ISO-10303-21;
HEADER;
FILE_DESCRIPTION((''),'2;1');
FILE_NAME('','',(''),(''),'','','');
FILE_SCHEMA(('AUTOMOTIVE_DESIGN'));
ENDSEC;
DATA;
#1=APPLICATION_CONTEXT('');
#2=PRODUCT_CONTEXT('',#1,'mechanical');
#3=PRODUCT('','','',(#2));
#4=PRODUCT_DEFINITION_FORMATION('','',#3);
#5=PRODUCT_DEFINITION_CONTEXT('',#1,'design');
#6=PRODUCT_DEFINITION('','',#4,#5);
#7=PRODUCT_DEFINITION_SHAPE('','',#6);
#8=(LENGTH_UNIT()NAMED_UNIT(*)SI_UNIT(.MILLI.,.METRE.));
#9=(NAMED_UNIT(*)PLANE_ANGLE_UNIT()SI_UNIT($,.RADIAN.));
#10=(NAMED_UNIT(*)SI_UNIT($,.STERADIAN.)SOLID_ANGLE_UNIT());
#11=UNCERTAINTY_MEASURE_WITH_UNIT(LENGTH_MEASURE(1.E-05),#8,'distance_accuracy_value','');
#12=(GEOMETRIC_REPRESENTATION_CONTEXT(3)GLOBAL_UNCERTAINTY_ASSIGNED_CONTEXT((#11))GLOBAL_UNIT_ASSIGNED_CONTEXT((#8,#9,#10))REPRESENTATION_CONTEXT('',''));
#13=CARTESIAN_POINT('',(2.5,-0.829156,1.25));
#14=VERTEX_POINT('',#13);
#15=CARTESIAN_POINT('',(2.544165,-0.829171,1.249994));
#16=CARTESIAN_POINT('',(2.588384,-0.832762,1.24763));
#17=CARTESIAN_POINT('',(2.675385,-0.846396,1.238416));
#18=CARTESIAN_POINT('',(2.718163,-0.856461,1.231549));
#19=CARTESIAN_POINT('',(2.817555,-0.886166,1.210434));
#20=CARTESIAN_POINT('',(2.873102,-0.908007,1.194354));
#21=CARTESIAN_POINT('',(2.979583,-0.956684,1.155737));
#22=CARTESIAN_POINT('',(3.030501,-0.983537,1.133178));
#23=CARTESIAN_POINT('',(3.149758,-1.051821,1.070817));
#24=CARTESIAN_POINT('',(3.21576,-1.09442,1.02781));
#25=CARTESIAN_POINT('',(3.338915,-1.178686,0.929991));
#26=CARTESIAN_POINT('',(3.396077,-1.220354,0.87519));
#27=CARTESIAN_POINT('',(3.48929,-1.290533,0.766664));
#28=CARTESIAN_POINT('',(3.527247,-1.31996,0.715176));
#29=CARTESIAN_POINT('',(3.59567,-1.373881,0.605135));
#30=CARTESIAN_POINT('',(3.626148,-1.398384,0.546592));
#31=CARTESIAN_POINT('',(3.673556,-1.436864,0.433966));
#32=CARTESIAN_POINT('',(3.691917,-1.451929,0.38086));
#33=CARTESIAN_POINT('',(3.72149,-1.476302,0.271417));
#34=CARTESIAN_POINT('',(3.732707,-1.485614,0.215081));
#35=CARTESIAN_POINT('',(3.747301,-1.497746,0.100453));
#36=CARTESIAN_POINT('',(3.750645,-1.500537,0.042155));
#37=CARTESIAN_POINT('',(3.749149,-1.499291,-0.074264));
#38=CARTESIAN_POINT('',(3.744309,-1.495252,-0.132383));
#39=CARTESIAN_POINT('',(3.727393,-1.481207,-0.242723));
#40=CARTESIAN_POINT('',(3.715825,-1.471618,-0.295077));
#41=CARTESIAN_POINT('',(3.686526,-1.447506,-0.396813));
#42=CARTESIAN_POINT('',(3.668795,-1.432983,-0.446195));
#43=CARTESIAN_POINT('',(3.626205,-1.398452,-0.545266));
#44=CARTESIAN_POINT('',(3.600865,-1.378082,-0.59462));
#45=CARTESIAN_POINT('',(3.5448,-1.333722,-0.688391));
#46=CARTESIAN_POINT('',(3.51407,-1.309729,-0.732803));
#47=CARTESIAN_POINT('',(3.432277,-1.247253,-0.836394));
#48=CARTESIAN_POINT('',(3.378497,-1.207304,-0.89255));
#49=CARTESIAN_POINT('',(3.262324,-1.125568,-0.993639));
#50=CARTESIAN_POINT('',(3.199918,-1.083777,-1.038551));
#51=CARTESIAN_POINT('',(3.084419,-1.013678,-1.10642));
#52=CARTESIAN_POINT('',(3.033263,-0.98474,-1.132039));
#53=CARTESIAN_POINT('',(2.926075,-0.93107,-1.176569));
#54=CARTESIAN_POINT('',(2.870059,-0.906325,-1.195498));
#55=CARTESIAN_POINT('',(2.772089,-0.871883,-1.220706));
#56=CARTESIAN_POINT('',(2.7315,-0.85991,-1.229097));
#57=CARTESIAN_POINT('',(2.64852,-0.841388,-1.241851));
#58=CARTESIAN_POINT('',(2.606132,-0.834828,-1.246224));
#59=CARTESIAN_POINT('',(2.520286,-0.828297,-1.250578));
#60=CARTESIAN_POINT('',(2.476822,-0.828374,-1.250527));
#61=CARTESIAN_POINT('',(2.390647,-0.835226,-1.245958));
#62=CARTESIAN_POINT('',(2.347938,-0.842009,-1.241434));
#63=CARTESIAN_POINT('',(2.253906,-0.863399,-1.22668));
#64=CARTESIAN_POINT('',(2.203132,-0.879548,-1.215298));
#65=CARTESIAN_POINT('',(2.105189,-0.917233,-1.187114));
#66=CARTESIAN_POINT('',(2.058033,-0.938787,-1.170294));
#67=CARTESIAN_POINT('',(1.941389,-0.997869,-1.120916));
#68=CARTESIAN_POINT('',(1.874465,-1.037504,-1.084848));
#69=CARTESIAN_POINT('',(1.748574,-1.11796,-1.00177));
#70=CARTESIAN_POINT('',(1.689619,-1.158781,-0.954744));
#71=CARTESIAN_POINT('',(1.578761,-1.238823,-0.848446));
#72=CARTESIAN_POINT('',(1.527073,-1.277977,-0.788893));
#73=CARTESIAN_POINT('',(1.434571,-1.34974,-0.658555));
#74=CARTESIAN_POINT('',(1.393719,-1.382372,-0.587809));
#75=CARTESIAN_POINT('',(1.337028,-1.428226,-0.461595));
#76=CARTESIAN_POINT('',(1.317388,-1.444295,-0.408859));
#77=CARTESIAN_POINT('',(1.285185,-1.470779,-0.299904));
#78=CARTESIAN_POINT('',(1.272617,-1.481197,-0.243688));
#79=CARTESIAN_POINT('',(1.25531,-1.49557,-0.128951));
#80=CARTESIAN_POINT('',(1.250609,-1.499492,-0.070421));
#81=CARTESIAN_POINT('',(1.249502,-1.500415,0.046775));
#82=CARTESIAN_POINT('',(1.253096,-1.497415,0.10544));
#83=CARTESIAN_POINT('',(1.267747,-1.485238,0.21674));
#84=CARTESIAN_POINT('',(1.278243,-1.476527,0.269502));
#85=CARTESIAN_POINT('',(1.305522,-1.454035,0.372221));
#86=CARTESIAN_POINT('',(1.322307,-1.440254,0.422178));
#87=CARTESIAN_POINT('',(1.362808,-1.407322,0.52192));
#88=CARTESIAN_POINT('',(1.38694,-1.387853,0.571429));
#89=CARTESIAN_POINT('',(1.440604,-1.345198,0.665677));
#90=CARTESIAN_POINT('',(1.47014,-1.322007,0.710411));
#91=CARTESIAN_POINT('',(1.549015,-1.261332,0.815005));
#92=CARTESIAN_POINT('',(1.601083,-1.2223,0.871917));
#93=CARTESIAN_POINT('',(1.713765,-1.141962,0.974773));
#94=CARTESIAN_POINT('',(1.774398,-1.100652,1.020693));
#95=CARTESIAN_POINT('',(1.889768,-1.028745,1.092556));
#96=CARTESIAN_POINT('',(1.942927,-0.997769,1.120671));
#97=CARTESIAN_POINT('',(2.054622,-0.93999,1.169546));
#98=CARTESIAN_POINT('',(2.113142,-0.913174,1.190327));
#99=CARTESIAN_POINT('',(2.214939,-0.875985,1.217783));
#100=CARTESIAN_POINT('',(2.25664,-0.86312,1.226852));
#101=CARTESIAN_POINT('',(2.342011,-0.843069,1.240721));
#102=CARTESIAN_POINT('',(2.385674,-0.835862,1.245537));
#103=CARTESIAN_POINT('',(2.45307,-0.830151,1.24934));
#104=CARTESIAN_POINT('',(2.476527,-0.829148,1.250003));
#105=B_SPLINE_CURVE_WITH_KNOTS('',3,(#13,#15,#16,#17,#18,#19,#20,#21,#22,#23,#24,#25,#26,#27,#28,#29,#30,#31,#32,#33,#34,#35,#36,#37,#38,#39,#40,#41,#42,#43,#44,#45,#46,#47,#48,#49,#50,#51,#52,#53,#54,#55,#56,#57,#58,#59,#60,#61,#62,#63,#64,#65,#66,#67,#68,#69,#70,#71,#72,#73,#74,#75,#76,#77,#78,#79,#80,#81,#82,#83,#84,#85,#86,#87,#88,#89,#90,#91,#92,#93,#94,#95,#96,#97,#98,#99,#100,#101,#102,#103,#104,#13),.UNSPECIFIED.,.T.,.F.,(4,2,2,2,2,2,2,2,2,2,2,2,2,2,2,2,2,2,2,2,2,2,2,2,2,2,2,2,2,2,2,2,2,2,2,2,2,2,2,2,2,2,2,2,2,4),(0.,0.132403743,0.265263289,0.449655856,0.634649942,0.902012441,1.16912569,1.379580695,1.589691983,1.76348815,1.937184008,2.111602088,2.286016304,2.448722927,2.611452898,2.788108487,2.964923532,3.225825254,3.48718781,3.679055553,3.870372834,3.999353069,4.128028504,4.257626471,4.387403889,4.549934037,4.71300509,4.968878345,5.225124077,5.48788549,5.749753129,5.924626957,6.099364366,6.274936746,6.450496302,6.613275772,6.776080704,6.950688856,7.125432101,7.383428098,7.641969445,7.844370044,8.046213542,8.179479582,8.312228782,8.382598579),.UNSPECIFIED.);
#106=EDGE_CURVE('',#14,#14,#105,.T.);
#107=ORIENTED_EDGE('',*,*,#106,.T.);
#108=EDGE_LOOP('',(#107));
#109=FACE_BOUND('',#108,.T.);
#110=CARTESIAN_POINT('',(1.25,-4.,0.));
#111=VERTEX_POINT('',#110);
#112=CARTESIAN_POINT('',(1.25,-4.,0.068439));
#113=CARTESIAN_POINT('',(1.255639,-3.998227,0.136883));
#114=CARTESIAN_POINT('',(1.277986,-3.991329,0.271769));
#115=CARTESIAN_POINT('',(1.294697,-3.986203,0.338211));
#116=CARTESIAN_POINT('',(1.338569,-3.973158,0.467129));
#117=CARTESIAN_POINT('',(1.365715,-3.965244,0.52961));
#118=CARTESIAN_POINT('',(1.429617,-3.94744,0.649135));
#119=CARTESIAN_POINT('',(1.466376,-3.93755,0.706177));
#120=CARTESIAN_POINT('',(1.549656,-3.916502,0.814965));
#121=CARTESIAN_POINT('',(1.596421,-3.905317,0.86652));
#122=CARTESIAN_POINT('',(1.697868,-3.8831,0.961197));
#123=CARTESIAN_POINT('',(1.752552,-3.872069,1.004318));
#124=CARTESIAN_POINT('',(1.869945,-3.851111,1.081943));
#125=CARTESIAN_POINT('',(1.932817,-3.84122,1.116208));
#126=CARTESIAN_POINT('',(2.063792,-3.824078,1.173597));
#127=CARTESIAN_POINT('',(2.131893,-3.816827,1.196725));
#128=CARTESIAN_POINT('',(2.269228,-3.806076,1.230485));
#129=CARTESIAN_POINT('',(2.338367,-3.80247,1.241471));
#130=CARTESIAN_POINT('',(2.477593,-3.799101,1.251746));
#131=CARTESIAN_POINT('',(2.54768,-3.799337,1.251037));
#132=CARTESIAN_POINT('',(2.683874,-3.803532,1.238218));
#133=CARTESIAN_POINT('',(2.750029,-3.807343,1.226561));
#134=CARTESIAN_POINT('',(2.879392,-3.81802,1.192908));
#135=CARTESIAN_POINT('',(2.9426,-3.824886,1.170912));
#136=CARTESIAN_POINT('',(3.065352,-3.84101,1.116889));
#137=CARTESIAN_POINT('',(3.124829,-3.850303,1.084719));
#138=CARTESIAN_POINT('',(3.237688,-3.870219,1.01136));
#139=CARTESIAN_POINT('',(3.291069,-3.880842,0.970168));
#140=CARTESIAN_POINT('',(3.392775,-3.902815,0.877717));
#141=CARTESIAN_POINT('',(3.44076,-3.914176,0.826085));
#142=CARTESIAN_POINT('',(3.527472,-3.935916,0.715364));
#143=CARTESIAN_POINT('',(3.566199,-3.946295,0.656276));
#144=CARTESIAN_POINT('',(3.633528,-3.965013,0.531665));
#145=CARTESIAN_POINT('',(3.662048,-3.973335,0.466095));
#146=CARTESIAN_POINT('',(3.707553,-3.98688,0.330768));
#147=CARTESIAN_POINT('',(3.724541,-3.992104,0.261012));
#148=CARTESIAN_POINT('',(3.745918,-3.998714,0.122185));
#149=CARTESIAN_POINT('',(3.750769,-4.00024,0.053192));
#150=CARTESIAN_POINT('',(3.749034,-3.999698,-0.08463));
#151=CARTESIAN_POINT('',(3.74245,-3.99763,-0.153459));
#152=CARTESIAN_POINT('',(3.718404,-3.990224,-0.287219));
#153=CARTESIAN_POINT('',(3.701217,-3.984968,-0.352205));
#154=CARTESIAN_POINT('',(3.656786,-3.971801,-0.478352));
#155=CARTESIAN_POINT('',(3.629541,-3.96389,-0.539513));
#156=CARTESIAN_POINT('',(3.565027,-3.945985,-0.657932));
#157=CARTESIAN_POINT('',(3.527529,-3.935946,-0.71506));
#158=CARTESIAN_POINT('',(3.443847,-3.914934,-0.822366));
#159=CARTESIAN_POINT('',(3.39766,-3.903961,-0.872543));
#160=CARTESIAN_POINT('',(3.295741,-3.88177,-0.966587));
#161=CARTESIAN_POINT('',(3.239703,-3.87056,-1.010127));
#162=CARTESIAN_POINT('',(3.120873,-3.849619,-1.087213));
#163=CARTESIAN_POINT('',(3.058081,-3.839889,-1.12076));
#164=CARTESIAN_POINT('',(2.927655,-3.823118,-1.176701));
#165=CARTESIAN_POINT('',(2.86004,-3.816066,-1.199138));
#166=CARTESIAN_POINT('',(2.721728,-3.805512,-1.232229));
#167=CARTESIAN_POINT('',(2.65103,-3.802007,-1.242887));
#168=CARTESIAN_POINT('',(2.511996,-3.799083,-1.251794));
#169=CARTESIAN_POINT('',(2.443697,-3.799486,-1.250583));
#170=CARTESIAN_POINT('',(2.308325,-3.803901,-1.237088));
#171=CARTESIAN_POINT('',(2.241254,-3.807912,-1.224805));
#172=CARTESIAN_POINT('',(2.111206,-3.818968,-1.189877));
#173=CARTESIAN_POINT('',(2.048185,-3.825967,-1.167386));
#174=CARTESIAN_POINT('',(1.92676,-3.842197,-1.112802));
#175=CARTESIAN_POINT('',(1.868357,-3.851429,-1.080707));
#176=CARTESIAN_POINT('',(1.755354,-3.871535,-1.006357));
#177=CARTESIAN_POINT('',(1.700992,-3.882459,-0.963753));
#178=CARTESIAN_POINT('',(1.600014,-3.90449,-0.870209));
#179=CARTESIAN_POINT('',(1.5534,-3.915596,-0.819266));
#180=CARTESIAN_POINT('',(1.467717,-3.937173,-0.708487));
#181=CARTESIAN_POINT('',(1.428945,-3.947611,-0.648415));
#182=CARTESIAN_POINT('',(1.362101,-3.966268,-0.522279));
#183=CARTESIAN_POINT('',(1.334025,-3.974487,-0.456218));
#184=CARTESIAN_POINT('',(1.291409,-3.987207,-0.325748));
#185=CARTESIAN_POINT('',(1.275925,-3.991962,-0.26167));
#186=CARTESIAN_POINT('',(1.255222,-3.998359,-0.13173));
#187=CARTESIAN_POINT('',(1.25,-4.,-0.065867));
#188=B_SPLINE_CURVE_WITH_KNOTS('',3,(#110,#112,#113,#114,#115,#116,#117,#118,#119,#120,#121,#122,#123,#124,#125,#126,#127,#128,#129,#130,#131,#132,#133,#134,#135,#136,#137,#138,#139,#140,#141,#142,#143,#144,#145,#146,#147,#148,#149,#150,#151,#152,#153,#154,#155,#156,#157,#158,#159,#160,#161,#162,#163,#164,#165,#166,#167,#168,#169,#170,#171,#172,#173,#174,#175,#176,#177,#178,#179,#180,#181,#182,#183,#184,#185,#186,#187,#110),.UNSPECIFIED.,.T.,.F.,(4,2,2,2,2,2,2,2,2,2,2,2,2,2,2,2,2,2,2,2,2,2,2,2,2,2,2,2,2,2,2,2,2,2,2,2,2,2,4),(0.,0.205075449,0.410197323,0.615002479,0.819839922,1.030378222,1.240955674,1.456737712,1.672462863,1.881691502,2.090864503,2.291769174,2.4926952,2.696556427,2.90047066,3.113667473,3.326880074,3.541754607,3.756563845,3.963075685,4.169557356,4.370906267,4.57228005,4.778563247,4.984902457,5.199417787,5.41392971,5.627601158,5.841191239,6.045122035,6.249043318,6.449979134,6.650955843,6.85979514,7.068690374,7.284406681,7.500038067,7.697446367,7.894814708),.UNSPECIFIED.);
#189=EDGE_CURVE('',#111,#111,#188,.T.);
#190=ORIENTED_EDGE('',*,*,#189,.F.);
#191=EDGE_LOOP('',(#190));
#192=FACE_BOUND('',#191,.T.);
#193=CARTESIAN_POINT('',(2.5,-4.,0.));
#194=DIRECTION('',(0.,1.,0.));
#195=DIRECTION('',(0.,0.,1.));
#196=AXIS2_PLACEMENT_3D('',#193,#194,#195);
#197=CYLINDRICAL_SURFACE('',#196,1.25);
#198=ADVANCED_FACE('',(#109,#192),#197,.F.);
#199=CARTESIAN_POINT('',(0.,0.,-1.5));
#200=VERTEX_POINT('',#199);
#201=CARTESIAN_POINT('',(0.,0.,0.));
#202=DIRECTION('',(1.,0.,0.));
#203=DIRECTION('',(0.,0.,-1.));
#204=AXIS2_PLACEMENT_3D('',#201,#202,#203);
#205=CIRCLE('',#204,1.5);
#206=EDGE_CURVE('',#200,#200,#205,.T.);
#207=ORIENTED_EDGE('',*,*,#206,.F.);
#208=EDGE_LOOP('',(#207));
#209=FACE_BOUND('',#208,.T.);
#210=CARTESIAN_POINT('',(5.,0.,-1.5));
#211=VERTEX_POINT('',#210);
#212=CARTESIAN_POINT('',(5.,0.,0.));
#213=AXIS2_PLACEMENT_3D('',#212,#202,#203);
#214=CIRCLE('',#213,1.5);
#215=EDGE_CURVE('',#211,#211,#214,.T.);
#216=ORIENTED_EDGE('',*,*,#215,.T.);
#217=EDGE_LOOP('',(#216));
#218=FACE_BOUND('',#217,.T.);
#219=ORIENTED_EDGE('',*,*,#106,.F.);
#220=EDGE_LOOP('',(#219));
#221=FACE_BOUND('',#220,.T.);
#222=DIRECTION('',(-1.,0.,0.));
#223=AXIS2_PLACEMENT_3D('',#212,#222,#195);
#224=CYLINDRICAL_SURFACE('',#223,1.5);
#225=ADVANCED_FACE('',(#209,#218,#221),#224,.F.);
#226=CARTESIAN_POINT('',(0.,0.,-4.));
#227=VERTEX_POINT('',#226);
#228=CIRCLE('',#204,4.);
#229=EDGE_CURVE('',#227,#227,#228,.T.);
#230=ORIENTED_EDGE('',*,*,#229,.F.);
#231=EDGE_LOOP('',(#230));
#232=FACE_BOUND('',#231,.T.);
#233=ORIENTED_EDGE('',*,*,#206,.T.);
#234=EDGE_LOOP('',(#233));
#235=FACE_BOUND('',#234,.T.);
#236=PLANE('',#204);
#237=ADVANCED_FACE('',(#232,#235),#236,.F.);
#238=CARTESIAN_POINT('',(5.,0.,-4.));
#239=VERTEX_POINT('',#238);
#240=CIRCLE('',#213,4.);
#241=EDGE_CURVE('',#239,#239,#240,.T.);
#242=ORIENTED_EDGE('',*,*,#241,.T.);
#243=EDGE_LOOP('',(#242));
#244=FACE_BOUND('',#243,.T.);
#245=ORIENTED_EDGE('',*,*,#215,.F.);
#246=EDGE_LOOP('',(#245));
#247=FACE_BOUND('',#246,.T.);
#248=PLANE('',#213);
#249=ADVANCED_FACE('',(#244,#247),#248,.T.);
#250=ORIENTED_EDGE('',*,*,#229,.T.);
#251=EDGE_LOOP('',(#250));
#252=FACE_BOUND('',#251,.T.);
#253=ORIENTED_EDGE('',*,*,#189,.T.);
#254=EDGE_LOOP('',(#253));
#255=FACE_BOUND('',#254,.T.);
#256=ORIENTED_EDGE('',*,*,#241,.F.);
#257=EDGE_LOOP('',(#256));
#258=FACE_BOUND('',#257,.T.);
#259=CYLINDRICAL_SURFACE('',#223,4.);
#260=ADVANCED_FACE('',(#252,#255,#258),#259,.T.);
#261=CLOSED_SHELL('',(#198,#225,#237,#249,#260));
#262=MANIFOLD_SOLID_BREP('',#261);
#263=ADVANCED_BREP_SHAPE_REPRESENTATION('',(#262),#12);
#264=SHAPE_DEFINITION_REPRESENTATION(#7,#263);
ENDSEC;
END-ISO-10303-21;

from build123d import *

# Parameters (mm, degrees)
SKETCH1_R           = 4
SKETCH1_R_2         = 1.5
BOSS_EXTRUDE1_DEPTH = 5
SKETCH2_R           = 1.25
CUT_EXTRUDE2_DEPTH  = 8.549834435


with BuildPart() as part:
    # Sketch1 → Boss-Extrude1 (new body)
    with BuildSketch(Plane(origin=(0, 0, 0), x_dir=(0, 0, -1), z_dir=(1, 0, 0))):
        Circle(SKETCH1_R)
        Circle(SKETCH1_R_2, mode=Mode.SUBTRACT)
    extrude(amount=BOSS_EXTRUDE1_DEPTH)

    # Sketch2 → Cut-Extrude2 (cut, through all)
    with BuildSketch(Plane(origin=(0, 0, 0), x_dir=(1, 0, 0), z_dir=(0, 1, 0))):
        with Locations(Location((2.5, 0, 0), (0, 0, 270))):
            Circle(SKETCH2_R)
    extrude(amount=-CUT_EXTRUDE2_DEPTH, mode=Mode.SUBTRACT)


solid = part.part
